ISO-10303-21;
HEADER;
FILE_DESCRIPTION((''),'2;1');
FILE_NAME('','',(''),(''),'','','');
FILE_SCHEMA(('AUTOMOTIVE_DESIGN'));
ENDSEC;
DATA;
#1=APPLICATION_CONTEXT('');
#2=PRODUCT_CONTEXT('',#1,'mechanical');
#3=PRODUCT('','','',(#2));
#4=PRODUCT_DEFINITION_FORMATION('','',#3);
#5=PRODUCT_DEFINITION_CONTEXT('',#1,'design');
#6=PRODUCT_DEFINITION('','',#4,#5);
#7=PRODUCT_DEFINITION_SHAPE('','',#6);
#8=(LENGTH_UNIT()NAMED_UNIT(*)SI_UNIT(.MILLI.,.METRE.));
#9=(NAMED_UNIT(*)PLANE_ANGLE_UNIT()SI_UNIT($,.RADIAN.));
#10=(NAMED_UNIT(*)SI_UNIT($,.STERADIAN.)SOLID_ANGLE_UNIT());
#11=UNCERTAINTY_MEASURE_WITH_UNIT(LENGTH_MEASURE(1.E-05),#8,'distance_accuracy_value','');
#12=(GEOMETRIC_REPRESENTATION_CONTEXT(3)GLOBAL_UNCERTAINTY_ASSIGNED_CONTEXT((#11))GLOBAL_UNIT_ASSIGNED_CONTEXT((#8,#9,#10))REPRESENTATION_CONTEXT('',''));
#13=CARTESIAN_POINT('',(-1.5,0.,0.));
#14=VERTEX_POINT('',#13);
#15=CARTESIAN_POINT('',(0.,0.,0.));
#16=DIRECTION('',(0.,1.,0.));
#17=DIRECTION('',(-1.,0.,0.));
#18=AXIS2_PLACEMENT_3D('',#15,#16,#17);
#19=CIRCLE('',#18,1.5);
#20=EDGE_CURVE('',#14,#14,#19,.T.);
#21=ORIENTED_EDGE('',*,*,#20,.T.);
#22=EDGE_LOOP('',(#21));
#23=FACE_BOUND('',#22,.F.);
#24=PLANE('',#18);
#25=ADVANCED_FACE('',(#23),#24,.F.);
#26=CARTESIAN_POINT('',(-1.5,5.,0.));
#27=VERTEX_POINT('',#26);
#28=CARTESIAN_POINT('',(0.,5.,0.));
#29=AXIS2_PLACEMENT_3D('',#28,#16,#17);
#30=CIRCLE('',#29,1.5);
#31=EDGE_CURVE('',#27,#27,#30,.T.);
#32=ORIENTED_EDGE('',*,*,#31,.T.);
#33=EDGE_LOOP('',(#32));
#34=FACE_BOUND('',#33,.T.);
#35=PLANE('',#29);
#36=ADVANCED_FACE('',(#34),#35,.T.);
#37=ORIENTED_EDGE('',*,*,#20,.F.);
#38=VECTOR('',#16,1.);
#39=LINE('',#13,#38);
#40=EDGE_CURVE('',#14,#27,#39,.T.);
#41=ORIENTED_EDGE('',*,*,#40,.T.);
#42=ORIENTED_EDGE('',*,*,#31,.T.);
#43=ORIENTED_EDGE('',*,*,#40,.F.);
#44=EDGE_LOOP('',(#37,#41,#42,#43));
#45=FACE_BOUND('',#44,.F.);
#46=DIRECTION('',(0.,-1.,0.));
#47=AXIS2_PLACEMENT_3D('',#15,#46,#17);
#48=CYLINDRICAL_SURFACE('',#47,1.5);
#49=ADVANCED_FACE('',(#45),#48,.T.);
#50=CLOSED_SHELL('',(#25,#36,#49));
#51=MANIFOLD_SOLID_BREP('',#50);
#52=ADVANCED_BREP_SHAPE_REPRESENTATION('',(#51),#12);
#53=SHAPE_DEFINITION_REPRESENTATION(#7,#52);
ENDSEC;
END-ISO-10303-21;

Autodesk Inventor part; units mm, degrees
ref_plane "YZ Plane" through (0, 0, 0) normal (1, 0, 0) x (0, 1, 0)
ref_plane "XZ Plane" through (0, 0, 0) normal (0, 1, 0) x (-1, 0, 0)
ref_plane "XY Plane" through (0, 0, 0) normal (0, 0, 1) x (1, 0, 0)
sketch "Sketch1" plane through (0, 0, 0) normal (0, 1, 0) x (-1, 0, 0)
  circle A0 centre (0, 0) radius 1.5
  dimension "d0" = 3
extrude "Extrusion1" add sketch "Sketch1" along normal blind 5
properties part number "YellowWire" material "Copper"
